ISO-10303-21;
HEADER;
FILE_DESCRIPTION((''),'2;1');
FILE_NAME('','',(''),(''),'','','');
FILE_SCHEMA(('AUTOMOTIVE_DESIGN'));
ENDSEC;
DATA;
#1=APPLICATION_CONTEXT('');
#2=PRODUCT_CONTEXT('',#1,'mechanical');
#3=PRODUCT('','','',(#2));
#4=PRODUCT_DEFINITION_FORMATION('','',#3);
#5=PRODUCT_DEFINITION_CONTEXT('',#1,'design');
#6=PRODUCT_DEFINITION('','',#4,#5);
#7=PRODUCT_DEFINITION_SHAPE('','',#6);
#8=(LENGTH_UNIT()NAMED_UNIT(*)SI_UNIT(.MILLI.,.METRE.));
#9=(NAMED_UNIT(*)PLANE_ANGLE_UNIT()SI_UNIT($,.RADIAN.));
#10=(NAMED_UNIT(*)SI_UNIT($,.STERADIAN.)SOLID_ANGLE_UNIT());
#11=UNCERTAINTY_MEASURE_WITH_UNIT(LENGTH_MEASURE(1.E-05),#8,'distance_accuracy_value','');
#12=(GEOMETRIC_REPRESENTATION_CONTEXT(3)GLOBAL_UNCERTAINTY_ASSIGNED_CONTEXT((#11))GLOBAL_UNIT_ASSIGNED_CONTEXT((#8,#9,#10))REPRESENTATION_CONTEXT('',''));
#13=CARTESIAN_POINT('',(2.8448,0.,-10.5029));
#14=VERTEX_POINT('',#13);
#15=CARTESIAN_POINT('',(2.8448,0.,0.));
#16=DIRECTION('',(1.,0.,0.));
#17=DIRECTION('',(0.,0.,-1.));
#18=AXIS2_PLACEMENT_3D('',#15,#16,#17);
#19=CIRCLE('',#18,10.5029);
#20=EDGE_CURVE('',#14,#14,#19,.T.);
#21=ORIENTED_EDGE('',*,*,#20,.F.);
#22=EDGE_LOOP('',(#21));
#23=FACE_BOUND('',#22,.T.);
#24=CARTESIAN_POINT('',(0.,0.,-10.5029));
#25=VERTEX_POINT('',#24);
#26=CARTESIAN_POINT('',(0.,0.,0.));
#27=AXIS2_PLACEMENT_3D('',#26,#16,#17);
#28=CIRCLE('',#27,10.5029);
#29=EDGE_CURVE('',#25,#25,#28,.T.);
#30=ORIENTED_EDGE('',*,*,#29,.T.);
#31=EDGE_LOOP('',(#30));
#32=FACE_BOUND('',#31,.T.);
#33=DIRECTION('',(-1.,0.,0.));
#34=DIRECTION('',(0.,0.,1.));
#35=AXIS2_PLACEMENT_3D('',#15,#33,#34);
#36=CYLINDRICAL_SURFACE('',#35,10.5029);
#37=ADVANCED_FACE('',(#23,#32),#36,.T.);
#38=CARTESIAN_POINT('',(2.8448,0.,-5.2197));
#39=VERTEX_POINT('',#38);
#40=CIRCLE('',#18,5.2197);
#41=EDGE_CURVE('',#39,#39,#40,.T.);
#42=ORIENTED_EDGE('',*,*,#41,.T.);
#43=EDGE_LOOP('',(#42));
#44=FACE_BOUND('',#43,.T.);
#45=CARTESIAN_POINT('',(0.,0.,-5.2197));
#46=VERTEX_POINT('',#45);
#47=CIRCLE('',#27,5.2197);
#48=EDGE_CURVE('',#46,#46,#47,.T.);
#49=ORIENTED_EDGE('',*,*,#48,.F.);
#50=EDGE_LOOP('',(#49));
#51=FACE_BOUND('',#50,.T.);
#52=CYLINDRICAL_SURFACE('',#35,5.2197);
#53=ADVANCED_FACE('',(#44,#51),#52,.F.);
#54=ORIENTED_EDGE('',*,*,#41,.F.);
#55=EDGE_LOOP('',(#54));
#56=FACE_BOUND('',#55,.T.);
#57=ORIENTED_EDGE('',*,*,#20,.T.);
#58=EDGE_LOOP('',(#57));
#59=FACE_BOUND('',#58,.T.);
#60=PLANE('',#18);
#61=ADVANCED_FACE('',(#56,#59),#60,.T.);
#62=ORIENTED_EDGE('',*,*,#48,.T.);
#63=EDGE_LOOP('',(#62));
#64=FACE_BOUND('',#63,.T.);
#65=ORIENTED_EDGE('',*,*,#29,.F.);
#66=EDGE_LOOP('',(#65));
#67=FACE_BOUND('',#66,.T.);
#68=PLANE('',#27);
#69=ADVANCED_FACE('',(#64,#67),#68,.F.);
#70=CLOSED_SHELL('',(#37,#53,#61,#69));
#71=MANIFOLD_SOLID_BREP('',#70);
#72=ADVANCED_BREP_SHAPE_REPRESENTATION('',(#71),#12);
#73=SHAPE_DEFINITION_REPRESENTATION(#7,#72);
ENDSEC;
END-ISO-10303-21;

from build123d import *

# Parameters (mm, degrees)
SKETCH1_R           = 10.5029
SKETCH1_R_2         = 5.2197
BOSS_EXTRUDE1_DEPTH = 2.8448


with BuildPart() as part:
    # Sketch1 → Boss-Extrude1 (new body)
    with BuildSketch(Plane(origin=(0, 0, 0), x_dir=(0, 0, -1), z_dir=(1, 0, 0))):
        Circle(SKETCH1_R)
        Circle(SKETCH1_R_2, mode=Mode.SUBTRACT)
    extrude(amount=BOSS_EXTRUDE1_DEPTH)


solid = part.part
